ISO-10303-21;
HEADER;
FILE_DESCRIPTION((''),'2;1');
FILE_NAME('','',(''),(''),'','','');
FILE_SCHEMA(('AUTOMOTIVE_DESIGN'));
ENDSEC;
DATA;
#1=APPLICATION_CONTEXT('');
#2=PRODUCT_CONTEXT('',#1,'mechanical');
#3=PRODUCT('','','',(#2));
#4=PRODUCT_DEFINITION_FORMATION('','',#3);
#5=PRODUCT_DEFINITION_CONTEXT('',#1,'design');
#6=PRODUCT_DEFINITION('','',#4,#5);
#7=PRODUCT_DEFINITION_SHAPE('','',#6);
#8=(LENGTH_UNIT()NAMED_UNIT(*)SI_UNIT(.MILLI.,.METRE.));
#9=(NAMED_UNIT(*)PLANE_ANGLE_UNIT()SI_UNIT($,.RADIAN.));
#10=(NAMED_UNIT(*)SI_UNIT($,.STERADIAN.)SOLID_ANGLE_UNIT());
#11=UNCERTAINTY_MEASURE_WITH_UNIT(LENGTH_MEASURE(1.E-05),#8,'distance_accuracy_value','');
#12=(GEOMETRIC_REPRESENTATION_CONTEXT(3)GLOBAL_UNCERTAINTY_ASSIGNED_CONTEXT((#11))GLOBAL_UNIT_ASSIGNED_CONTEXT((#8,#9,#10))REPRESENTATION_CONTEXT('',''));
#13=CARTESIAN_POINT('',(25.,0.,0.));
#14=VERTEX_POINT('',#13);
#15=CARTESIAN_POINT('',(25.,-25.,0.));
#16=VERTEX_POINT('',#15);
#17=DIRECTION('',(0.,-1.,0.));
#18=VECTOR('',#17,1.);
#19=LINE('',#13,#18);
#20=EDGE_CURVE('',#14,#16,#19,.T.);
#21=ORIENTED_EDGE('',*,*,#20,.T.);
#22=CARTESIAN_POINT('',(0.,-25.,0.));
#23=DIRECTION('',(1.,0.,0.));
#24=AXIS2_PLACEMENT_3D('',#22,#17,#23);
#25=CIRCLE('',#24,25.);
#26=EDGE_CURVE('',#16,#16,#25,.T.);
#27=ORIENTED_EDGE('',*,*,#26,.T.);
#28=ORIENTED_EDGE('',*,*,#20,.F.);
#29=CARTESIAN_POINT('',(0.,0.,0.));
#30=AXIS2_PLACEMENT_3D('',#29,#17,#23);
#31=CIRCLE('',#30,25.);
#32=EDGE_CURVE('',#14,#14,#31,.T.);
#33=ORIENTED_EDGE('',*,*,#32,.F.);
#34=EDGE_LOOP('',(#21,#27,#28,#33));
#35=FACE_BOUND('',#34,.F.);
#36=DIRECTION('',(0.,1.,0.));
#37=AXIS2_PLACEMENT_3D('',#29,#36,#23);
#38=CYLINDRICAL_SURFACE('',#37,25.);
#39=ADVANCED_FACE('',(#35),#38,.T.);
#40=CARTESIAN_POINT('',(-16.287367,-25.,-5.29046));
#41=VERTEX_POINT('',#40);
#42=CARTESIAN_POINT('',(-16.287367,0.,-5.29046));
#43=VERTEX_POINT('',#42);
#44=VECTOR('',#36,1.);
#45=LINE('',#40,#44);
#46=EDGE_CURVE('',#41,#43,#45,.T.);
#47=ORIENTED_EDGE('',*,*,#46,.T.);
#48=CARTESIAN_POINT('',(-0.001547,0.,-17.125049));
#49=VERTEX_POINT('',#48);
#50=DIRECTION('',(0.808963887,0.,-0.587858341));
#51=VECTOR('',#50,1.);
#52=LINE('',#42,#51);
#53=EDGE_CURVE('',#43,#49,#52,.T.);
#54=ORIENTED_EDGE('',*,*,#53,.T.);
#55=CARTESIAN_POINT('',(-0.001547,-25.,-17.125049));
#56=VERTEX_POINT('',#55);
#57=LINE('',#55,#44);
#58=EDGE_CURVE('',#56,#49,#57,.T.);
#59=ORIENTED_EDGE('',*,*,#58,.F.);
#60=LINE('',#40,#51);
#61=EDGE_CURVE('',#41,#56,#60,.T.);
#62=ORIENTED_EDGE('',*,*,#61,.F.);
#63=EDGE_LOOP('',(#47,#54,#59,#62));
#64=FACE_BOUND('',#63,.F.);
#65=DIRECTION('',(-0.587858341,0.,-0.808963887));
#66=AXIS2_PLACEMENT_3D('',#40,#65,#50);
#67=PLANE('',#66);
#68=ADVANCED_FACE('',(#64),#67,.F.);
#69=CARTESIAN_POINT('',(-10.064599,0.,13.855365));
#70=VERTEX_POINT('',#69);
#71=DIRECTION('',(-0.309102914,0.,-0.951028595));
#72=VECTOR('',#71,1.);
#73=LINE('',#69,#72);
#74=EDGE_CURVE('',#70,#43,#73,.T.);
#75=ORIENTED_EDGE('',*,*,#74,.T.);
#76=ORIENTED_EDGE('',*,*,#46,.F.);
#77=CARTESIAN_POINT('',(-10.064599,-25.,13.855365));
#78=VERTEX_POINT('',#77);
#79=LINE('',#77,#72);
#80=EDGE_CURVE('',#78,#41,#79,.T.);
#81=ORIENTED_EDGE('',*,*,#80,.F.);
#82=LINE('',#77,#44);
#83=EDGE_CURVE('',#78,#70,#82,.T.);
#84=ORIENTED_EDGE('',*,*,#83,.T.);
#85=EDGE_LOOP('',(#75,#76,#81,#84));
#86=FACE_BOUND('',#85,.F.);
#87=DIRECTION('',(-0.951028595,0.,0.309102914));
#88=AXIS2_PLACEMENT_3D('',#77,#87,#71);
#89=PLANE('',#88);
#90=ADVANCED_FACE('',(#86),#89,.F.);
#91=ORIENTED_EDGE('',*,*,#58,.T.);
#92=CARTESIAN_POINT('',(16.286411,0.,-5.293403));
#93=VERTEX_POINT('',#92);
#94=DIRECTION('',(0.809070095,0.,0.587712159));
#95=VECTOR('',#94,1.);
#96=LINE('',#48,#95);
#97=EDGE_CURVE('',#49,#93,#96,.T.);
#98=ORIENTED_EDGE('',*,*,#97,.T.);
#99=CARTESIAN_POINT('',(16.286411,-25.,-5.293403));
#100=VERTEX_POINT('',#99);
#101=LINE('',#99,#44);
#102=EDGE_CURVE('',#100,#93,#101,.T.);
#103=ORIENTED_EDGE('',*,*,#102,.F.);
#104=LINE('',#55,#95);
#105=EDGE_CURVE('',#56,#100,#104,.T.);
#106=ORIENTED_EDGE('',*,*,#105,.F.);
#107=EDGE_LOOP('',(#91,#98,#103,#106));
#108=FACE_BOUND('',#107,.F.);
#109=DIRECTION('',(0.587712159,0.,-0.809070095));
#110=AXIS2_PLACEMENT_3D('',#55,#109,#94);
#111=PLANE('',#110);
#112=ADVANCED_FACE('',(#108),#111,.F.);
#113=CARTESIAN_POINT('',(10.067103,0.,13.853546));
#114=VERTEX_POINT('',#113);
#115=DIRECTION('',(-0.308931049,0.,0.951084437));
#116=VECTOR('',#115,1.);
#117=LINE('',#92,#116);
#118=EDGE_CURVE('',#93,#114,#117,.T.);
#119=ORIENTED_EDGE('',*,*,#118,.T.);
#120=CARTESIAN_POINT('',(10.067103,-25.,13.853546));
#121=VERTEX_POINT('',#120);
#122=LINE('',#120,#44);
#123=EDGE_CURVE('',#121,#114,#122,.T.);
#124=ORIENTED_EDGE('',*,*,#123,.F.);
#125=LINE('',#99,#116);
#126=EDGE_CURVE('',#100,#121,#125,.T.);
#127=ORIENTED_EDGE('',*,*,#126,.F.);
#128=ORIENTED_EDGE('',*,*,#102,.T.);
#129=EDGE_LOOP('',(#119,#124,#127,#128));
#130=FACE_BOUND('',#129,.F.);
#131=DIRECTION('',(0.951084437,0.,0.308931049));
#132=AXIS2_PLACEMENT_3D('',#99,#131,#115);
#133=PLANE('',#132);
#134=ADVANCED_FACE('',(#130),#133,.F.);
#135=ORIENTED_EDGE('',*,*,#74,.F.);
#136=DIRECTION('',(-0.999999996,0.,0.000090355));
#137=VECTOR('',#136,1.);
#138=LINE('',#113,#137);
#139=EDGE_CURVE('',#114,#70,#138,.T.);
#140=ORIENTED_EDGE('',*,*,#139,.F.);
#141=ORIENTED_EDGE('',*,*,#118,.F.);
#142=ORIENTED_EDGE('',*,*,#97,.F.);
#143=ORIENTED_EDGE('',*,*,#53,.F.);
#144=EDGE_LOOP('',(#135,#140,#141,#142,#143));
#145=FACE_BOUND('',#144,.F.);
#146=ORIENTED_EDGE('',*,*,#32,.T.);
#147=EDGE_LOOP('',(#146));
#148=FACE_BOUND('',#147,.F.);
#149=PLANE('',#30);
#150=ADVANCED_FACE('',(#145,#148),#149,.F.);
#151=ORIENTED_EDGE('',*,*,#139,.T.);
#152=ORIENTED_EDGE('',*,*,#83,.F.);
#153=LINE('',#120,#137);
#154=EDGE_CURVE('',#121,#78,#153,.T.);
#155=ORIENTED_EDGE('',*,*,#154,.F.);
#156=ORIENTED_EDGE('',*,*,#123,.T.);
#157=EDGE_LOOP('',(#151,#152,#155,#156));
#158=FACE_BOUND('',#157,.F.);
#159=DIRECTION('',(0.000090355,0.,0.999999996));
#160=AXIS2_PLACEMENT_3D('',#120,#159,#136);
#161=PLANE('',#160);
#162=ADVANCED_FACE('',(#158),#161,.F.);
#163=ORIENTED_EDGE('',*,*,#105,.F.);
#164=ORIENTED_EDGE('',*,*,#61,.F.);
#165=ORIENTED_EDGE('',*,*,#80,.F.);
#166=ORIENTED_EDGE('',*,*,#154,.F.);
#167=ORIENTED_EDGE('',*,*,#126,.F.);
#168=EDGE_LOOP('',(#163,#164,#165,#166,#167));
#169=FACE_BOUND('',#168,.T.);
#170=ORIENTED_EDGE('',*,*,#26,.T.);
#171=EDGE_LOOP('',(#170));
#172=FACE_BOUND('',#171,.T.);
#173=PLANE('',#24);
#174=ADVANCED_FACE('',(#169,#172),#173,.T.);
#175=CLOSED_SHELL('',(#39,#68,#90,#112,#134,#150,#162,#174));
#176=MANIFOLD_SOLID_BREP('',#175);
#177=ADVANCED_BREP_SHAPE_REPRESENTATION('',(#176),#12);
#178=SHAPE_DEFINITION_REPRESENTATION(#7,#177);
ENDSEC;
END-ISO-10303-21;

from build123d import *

# Parameters (mm, degrees)
F0_R     = 25
F1_DEPTH = 25
F3_DEPTH = 25


with BuildPart() as f1:
    # F0 (on Front) → F1 (new body)
    with BuildSketch(Plane.XZ):
        Circle(F0_R)
    extrude(amount=F1_DEPTH)

    # F2 (on face) → F3 (cut)
    with BuildSketch(Plane.XZ.offset(25)):
        Polygon((16.286411, -5.293403), (10.067103, 13.853546), (-10.064599, 13.855365), (-16.287367, -5.29046), (-0.001547, -17.125049), align=None)
    extrude(amount=-F3_DEPTH, mode=Mode.SUBTRACT)


solid = f1.part
